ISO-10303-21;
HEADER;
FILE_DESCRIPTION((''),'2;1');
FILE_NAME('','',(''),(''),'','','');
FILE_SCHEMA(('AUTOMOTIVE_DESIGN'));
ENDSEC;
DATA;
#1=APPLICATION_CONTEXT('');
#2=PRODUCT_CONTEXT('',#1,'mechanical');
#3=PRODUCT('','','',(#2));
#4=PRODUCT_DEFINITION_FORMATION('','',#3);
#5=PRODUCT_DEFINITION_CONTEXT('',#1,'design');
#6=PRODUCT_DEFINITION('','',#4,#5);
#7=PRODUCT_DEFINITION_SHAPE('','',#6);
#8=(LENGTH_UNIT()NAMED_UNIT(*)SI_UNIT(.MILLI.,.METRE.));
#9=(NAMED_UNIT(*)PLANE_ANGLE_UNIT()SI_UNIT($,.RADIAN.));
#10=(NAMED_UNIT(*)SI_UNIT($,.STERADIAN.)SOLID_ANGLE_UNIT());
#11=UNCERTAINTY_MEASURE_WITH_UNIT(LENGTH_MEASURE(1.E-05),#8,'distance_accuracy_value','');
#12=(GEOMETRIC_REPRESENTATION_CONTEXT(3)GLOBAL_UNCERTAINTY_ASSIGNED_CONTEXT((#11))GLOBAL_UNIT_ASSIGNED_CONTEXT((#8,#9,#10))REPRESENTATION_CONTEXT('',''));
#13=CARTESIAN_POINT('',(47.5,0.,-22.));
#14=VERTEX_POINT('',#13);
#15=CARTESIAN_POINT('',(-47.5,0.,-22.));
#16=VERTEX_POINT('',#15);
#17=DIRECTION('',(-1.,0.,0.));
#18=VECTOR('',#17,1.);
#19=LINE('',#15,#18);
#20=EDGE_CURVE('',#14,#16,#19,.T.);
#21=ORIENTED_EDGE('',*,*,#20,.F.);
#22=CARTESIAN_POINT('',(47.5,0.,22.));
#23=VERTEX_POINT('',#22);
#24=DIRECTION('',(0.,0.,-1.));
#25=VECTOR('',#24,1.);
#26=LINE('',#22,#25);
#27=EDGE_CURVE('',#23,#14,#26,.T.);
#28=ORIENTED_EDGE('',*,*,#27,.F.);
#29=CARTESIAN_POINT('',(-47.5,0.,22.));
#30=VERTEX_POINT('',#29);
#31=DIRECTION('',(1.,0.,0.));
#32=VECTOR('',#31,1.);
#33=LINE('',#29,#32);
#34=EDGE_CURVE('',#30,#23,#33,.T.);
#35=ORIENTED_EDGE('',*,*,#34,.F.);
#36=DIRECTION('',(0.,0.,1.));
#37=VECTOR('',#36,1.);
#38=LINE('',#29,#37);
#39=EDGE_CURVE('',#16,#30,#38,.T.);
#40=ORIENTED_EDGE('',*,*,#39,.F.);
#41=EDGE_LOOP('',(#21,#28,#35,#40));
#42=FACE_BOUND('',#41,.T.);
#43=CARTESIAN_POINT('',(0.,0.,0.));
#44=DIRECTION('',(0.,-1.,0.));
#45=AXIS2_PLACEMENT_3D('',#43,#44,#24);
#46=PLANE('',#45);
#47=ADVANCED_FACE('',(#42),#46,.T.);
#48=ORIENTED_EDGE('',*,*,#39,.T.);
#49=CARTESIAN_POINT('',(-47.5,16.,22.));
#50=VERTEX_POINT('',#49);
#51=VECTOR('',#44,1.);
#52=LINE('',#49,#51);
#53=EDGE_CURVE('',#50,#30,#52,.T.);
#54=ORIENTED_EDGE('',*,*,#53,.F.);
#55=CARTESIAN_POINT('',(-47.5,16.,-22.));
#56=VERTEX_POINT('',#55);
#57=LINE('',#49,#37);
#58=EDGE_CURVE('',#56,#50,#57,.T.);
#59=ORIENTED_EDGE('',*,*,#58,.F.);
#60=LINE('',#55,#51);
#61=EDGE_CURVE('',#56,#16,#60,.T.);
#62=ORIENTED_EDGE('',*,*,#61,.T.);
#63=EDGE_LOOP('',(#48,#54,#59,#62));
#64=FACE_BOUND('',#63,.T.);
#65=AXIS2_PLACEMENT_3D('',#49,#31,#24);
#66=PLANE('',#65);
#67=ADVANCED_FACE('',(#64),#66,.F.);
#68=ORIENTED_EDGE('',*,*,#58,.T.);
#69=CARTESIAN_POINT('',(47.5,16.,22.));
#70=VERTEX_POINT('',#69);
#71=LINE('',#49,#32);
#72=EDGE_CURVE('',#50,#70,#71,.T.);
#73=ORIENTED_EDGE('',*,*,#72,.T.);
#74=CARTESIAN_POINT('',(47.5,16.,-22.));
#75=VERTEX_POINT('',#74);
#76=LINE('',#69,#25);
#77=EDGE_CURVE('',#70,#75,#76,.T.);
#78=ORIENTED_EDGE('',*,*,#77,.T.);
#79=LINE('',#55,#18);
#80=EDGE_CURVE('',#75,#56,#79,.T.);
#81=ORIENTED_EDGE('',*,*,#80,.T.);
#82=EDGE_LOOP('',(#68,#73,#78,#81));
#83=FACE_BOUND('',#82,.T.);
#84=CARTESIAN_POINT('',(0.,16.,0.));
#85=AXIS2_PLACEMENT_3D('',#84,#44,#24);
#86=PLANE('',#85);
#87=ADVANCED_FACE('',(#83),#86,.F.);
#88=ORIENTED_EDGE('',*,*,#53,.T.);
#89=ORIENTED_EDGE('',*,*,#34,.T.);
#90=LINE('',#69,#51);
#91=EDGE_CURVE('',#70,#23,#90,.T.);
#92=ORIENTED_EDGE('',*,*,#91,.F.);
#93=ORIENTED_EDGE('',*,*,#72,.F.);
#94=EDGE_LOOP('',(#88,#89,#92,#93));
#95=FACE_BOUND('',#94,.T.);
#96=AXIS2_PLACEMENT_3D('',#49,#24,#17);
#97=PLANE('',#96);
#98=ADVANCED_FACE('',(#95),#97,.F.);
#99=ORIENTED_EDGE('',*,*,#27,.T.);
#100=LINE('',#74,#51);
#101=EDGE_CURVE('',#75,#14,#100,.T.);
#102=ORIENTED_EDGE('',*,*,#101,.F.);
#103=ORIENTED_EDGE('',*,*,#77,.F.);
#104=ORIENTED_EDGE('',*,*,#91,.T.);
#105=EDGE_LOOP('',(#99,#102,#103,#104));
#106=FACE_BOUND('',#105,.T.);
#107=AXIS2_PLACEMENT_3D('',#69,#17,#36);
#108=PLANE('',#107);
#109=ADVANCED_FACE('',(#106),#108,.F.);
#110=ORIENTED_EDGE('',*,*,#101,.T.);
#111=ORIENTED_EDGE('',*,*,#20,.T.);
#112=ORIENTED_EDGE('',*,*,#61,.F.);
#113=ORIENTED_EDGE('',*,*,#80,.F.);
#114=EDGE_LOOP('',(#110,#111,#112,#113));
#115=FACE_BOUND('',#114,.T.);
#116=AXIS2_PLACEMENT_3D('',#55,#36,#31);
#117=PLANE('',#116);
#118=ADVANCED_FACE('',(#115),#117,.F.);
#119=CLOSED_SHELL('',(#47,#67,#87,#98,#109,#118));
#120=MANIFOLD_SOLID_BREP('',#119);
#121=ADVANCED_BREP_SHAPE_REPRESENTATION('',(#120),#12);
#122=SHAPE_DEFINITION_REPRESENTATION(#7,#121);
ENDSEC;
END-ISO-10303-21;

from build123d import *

# Parameters (mm, degrees)
SKETCH_1_W      = 95
SKETCH_1_H      = 44
EXTRUDE_1_DEPTH = 16


with BuildPart() as part:
    # 스케치1 → 보스-돌출1 (new body)
    with BuildSketch(Plane(origin=(0, 0, 0), x_dir=(1, 0, 0), z_dir=(0, 1, 0))):
        Rectangle(SKETCH_1_W, SKETCH_1_H)
    extrude(amount=EXTRUDE_1_DEPTH)


solid = part.part
